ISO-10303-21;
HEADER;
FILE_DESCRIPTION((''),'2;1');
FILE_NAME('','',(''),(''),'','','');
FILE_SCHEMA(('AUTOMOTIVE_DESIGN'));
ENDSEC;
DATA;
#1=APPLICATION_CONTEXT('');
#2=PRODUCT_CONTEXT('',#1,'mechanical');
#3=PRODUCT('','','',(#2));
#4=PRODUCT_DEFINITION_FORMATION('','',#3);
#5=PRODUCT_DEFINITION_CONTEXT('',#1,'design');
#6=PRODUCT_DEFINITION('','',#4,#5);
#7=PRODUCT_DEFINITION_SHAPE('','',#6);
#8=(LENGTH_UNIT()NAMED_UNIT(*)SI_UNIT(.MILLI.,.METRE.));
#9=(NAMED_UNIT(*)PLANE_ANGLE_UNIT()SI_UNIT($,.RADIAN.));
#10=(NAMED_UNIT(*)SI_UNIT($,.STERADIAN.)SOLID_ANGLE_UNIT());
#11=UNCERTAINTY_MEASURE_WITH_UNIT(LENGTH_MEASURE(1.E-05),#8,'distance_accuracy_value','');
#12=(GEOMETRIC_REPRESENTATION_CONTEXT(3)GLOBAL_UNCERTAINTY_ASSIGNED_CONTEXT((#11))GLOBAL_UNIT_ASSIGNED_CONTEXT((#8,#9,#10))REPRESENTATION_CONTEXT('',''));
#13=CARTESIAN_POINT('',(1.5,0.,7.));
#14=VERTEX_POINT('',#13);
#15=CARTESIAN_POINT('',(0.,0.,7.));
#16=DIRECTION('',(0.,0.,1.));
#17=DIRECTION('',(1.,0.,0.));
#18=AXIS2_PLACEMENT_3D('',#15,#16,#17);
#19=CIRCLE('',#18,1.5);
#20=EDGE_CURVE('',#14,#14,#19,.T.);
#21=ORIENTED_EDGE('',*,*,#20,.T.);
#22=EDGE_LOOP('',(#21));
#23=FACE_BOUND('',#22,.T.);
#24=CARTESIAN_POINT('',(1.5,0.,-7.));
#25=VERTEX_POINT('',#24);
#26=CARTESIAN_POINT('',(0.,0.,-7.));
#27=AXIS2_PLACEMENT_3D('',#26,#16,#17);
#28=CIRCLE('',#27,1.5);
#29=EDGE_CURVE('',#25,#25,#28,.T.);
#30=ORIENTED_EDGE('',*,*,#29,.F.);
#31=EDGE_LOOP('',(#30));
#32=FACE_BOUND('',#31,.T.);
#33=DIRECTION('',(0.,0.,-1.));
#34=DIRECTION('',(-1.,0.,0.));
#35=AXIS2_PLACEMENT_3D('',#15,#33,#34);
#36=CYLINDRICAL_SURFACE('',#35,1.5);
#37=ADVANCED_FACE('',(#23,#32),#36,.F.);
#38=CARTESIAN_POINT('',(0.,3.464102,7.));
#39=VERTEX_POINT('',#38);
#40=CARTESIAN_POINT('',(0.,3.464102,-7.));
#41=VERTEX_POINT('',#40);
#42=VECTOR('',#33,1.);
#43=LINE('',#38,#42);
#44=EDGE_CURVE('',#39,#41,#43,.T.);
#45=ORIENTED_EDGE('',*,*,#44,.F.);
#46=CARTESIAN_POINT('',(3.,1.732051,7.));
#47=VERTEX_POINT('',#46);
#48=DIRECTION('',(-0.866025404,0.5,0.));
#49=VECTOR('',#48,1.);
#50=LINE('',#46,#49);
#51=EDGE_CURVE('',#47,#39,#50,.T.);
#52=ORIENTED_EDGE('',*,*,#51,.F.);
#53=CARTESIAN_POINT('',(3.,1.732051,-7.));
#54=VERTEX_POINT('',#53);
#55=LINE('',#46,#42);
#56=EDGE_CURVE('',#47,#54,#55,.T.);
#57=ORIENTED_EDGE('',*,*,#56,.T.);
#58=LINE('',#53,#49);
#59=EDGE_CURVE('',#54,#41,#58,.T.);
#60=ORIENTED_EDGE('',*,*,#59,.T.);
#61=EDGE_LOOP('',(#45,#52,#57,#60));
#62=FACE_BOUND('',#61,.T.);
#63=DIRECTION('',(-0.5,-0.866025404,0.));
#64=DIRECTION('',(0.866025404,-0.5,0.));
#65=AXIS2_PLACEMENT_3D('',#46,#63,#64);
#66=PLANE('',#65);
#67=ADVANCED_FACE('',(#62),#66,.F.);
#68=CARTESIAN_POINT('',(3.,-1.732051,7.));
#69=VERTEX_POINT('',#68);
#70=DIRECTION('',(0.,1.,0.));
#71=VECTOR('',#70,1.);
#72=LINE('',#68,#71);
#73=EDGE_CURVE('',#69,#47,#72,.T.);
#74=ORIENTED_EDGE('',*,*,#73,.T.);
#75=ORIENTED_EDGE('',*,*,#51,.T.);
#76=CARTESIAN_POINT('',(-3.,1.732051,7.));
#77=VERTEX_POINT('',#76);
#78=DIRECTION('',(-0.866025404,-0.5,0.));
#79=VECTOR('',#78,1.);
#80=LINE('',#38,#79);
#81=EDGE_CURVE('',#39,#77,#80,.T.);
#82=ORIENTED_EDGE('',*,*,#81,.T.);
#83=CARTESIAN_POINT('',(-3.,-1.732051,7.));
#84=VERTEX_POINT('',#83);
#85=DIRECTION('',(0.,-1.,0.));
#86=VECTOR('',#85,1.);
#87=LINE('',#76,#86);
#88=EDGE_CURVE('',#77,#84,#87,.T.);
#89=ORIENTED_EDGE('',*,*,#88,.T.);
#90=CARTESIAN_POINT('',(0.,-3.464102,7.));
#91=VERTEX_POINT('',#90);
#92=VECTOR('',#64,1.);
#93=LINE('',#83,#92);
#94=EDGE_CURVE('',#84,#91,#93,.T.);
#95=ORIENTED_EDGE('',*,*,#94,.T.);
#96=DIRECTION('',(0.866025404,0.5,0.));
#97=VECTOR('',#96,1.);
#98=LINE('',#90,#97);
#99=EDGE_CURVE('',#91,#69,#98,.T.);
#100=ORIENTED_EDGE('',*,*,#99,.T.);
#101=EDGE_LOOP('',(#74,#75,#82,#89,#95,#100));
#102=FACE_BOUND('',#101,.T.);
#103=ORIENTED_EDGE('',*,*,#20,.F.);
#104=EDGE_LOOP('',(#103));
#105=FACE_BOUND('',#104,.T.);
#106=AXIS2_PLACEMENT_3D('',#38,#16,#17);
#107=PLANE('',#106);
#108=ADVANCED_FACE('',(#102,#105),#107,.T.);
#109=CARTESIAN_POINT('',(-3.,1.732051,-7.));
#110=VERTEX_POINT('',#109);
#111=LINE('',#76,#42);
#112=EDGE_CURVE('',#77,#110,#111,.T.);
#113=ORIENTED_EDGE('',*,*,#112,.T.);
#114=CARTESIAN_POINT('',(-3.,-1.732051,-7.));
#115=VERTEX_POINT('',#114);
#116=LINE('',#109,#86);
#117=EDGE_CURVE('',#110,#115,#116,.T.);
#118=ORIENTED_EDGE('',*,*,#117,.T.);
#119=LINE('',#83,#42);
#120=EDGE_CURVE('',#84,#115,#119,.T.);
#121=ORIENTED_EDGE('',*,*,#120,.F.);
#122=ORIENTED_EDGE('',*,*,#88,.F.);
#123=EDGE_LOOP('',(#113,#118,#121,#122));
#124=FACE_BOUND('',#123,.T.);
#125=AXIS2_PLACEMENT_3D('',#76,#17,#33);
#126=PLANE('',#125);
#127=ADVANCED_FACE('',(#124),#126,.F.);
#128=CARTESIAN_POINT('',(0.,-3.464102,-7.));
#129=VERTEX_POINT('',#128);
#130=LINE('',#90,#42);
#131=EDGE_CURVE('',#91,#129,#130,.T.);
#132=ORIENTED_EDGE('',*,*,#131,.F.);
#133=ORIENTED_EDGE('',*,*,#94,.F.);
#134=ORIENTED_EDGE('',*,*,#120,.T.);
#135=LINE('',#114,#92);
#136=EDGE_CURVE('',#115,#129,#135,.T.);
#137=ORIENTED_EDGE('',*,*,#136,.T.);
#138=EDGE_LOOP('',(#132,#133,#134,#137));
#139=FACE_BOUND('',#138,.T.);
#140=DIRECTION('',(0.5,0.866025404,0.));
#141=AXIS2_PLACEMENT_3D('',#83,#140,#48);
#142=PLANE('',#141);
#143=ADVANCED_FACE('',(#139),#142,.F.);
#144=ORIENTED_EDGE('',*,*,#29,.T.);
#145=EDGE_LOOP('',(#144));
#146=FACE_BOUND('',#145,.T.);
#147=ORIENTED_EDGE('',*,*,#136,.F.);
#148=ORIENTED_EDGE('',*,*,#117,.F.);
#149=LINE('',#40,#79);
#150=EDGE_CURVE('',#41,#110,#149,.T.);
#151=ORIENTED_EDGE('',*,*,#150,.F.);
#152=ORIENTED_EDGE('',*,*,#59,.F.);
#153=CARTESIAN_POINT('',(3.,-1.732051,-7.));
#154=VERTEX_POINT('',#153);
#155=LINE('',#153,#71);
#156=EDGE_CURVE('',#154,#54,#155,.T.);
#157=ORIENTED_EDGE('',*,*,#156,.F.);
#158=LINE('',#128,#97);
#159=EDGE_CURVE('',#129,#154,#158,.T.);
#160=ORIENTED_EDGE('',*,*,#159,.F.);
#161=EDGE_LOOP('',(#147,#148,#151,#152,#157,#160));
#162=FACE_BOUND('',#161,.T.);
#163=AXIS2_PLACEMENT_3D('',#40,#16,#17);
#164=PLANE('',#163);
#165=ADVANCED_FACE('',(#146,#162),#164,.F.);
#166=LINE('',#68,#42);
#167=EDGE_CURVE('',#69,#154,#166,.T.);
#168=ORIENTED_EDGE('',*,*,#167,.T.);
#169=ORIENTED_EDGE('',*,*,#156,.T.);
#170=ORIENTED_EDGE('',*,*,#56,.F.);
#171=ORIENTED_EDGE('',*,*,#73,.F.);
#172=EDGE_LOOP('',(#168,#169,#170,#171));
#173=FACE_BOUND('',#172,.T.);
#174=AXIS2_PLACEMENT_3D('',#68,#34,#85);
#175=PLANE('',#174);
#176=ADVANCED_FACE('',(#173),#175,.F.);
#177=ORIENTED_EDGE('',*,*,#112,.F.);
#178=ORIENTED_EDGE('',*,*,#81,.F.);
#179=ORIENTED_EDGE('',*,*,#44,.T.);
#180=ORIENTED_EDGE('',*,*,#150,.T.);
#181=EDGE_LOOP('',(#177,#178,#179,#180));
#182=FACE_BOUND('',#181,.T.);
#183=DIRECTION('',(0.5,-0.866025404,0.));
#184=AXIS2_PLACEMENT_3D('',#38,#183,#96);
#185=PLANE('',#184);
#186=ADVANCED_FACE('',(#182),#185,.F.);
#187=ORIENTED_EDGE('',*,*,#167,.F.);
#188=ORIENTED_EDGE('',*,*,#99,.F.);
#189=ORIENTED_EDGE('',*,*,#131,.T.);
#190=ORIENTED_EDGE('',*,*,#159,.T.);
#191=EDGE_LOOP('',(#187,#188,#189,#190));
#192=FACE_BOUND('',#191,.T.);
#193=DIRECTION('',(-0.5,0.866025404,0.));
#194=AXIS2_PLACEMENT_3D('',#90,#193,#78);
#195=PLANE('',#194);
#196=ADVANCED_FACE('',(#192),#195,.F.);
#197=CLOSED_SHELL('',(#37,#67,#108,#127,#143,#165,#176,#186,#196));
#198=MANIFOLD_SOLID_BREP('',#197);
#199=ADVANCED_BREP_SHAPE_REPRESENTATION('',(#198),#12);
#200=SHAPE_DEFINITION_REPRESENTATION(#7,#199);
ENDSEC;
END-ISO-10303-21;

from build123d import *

# Parameters (mm, degrees)
SKETCH1_R           = 1.5
EXTRUDE1_DEPTH      = 7
EXTRUDE1_DEPTH_BACK = 7


with BuildPart() as part:
    # Sketch1 → Extrude1 (new body, two sides)
    with BuildSketch(Plane.XY) as extrude1_sk:
        Polygon((0, 3.464101615), (-3, 1.732050808), (-3, -1.732050808), (0, -3.464101615), (3, -1.732050808), (3, 1.732050808), align=None)
        Circle(SKETCH1_R, mode=Mode.SUBTRACT)
    extrude(amount=EXTRUDE1_DEPTH)
    extrude(extrude1_sk.sketch, amount=-EXTRUDE1_DEPTH_BACK)


solid = part.part
